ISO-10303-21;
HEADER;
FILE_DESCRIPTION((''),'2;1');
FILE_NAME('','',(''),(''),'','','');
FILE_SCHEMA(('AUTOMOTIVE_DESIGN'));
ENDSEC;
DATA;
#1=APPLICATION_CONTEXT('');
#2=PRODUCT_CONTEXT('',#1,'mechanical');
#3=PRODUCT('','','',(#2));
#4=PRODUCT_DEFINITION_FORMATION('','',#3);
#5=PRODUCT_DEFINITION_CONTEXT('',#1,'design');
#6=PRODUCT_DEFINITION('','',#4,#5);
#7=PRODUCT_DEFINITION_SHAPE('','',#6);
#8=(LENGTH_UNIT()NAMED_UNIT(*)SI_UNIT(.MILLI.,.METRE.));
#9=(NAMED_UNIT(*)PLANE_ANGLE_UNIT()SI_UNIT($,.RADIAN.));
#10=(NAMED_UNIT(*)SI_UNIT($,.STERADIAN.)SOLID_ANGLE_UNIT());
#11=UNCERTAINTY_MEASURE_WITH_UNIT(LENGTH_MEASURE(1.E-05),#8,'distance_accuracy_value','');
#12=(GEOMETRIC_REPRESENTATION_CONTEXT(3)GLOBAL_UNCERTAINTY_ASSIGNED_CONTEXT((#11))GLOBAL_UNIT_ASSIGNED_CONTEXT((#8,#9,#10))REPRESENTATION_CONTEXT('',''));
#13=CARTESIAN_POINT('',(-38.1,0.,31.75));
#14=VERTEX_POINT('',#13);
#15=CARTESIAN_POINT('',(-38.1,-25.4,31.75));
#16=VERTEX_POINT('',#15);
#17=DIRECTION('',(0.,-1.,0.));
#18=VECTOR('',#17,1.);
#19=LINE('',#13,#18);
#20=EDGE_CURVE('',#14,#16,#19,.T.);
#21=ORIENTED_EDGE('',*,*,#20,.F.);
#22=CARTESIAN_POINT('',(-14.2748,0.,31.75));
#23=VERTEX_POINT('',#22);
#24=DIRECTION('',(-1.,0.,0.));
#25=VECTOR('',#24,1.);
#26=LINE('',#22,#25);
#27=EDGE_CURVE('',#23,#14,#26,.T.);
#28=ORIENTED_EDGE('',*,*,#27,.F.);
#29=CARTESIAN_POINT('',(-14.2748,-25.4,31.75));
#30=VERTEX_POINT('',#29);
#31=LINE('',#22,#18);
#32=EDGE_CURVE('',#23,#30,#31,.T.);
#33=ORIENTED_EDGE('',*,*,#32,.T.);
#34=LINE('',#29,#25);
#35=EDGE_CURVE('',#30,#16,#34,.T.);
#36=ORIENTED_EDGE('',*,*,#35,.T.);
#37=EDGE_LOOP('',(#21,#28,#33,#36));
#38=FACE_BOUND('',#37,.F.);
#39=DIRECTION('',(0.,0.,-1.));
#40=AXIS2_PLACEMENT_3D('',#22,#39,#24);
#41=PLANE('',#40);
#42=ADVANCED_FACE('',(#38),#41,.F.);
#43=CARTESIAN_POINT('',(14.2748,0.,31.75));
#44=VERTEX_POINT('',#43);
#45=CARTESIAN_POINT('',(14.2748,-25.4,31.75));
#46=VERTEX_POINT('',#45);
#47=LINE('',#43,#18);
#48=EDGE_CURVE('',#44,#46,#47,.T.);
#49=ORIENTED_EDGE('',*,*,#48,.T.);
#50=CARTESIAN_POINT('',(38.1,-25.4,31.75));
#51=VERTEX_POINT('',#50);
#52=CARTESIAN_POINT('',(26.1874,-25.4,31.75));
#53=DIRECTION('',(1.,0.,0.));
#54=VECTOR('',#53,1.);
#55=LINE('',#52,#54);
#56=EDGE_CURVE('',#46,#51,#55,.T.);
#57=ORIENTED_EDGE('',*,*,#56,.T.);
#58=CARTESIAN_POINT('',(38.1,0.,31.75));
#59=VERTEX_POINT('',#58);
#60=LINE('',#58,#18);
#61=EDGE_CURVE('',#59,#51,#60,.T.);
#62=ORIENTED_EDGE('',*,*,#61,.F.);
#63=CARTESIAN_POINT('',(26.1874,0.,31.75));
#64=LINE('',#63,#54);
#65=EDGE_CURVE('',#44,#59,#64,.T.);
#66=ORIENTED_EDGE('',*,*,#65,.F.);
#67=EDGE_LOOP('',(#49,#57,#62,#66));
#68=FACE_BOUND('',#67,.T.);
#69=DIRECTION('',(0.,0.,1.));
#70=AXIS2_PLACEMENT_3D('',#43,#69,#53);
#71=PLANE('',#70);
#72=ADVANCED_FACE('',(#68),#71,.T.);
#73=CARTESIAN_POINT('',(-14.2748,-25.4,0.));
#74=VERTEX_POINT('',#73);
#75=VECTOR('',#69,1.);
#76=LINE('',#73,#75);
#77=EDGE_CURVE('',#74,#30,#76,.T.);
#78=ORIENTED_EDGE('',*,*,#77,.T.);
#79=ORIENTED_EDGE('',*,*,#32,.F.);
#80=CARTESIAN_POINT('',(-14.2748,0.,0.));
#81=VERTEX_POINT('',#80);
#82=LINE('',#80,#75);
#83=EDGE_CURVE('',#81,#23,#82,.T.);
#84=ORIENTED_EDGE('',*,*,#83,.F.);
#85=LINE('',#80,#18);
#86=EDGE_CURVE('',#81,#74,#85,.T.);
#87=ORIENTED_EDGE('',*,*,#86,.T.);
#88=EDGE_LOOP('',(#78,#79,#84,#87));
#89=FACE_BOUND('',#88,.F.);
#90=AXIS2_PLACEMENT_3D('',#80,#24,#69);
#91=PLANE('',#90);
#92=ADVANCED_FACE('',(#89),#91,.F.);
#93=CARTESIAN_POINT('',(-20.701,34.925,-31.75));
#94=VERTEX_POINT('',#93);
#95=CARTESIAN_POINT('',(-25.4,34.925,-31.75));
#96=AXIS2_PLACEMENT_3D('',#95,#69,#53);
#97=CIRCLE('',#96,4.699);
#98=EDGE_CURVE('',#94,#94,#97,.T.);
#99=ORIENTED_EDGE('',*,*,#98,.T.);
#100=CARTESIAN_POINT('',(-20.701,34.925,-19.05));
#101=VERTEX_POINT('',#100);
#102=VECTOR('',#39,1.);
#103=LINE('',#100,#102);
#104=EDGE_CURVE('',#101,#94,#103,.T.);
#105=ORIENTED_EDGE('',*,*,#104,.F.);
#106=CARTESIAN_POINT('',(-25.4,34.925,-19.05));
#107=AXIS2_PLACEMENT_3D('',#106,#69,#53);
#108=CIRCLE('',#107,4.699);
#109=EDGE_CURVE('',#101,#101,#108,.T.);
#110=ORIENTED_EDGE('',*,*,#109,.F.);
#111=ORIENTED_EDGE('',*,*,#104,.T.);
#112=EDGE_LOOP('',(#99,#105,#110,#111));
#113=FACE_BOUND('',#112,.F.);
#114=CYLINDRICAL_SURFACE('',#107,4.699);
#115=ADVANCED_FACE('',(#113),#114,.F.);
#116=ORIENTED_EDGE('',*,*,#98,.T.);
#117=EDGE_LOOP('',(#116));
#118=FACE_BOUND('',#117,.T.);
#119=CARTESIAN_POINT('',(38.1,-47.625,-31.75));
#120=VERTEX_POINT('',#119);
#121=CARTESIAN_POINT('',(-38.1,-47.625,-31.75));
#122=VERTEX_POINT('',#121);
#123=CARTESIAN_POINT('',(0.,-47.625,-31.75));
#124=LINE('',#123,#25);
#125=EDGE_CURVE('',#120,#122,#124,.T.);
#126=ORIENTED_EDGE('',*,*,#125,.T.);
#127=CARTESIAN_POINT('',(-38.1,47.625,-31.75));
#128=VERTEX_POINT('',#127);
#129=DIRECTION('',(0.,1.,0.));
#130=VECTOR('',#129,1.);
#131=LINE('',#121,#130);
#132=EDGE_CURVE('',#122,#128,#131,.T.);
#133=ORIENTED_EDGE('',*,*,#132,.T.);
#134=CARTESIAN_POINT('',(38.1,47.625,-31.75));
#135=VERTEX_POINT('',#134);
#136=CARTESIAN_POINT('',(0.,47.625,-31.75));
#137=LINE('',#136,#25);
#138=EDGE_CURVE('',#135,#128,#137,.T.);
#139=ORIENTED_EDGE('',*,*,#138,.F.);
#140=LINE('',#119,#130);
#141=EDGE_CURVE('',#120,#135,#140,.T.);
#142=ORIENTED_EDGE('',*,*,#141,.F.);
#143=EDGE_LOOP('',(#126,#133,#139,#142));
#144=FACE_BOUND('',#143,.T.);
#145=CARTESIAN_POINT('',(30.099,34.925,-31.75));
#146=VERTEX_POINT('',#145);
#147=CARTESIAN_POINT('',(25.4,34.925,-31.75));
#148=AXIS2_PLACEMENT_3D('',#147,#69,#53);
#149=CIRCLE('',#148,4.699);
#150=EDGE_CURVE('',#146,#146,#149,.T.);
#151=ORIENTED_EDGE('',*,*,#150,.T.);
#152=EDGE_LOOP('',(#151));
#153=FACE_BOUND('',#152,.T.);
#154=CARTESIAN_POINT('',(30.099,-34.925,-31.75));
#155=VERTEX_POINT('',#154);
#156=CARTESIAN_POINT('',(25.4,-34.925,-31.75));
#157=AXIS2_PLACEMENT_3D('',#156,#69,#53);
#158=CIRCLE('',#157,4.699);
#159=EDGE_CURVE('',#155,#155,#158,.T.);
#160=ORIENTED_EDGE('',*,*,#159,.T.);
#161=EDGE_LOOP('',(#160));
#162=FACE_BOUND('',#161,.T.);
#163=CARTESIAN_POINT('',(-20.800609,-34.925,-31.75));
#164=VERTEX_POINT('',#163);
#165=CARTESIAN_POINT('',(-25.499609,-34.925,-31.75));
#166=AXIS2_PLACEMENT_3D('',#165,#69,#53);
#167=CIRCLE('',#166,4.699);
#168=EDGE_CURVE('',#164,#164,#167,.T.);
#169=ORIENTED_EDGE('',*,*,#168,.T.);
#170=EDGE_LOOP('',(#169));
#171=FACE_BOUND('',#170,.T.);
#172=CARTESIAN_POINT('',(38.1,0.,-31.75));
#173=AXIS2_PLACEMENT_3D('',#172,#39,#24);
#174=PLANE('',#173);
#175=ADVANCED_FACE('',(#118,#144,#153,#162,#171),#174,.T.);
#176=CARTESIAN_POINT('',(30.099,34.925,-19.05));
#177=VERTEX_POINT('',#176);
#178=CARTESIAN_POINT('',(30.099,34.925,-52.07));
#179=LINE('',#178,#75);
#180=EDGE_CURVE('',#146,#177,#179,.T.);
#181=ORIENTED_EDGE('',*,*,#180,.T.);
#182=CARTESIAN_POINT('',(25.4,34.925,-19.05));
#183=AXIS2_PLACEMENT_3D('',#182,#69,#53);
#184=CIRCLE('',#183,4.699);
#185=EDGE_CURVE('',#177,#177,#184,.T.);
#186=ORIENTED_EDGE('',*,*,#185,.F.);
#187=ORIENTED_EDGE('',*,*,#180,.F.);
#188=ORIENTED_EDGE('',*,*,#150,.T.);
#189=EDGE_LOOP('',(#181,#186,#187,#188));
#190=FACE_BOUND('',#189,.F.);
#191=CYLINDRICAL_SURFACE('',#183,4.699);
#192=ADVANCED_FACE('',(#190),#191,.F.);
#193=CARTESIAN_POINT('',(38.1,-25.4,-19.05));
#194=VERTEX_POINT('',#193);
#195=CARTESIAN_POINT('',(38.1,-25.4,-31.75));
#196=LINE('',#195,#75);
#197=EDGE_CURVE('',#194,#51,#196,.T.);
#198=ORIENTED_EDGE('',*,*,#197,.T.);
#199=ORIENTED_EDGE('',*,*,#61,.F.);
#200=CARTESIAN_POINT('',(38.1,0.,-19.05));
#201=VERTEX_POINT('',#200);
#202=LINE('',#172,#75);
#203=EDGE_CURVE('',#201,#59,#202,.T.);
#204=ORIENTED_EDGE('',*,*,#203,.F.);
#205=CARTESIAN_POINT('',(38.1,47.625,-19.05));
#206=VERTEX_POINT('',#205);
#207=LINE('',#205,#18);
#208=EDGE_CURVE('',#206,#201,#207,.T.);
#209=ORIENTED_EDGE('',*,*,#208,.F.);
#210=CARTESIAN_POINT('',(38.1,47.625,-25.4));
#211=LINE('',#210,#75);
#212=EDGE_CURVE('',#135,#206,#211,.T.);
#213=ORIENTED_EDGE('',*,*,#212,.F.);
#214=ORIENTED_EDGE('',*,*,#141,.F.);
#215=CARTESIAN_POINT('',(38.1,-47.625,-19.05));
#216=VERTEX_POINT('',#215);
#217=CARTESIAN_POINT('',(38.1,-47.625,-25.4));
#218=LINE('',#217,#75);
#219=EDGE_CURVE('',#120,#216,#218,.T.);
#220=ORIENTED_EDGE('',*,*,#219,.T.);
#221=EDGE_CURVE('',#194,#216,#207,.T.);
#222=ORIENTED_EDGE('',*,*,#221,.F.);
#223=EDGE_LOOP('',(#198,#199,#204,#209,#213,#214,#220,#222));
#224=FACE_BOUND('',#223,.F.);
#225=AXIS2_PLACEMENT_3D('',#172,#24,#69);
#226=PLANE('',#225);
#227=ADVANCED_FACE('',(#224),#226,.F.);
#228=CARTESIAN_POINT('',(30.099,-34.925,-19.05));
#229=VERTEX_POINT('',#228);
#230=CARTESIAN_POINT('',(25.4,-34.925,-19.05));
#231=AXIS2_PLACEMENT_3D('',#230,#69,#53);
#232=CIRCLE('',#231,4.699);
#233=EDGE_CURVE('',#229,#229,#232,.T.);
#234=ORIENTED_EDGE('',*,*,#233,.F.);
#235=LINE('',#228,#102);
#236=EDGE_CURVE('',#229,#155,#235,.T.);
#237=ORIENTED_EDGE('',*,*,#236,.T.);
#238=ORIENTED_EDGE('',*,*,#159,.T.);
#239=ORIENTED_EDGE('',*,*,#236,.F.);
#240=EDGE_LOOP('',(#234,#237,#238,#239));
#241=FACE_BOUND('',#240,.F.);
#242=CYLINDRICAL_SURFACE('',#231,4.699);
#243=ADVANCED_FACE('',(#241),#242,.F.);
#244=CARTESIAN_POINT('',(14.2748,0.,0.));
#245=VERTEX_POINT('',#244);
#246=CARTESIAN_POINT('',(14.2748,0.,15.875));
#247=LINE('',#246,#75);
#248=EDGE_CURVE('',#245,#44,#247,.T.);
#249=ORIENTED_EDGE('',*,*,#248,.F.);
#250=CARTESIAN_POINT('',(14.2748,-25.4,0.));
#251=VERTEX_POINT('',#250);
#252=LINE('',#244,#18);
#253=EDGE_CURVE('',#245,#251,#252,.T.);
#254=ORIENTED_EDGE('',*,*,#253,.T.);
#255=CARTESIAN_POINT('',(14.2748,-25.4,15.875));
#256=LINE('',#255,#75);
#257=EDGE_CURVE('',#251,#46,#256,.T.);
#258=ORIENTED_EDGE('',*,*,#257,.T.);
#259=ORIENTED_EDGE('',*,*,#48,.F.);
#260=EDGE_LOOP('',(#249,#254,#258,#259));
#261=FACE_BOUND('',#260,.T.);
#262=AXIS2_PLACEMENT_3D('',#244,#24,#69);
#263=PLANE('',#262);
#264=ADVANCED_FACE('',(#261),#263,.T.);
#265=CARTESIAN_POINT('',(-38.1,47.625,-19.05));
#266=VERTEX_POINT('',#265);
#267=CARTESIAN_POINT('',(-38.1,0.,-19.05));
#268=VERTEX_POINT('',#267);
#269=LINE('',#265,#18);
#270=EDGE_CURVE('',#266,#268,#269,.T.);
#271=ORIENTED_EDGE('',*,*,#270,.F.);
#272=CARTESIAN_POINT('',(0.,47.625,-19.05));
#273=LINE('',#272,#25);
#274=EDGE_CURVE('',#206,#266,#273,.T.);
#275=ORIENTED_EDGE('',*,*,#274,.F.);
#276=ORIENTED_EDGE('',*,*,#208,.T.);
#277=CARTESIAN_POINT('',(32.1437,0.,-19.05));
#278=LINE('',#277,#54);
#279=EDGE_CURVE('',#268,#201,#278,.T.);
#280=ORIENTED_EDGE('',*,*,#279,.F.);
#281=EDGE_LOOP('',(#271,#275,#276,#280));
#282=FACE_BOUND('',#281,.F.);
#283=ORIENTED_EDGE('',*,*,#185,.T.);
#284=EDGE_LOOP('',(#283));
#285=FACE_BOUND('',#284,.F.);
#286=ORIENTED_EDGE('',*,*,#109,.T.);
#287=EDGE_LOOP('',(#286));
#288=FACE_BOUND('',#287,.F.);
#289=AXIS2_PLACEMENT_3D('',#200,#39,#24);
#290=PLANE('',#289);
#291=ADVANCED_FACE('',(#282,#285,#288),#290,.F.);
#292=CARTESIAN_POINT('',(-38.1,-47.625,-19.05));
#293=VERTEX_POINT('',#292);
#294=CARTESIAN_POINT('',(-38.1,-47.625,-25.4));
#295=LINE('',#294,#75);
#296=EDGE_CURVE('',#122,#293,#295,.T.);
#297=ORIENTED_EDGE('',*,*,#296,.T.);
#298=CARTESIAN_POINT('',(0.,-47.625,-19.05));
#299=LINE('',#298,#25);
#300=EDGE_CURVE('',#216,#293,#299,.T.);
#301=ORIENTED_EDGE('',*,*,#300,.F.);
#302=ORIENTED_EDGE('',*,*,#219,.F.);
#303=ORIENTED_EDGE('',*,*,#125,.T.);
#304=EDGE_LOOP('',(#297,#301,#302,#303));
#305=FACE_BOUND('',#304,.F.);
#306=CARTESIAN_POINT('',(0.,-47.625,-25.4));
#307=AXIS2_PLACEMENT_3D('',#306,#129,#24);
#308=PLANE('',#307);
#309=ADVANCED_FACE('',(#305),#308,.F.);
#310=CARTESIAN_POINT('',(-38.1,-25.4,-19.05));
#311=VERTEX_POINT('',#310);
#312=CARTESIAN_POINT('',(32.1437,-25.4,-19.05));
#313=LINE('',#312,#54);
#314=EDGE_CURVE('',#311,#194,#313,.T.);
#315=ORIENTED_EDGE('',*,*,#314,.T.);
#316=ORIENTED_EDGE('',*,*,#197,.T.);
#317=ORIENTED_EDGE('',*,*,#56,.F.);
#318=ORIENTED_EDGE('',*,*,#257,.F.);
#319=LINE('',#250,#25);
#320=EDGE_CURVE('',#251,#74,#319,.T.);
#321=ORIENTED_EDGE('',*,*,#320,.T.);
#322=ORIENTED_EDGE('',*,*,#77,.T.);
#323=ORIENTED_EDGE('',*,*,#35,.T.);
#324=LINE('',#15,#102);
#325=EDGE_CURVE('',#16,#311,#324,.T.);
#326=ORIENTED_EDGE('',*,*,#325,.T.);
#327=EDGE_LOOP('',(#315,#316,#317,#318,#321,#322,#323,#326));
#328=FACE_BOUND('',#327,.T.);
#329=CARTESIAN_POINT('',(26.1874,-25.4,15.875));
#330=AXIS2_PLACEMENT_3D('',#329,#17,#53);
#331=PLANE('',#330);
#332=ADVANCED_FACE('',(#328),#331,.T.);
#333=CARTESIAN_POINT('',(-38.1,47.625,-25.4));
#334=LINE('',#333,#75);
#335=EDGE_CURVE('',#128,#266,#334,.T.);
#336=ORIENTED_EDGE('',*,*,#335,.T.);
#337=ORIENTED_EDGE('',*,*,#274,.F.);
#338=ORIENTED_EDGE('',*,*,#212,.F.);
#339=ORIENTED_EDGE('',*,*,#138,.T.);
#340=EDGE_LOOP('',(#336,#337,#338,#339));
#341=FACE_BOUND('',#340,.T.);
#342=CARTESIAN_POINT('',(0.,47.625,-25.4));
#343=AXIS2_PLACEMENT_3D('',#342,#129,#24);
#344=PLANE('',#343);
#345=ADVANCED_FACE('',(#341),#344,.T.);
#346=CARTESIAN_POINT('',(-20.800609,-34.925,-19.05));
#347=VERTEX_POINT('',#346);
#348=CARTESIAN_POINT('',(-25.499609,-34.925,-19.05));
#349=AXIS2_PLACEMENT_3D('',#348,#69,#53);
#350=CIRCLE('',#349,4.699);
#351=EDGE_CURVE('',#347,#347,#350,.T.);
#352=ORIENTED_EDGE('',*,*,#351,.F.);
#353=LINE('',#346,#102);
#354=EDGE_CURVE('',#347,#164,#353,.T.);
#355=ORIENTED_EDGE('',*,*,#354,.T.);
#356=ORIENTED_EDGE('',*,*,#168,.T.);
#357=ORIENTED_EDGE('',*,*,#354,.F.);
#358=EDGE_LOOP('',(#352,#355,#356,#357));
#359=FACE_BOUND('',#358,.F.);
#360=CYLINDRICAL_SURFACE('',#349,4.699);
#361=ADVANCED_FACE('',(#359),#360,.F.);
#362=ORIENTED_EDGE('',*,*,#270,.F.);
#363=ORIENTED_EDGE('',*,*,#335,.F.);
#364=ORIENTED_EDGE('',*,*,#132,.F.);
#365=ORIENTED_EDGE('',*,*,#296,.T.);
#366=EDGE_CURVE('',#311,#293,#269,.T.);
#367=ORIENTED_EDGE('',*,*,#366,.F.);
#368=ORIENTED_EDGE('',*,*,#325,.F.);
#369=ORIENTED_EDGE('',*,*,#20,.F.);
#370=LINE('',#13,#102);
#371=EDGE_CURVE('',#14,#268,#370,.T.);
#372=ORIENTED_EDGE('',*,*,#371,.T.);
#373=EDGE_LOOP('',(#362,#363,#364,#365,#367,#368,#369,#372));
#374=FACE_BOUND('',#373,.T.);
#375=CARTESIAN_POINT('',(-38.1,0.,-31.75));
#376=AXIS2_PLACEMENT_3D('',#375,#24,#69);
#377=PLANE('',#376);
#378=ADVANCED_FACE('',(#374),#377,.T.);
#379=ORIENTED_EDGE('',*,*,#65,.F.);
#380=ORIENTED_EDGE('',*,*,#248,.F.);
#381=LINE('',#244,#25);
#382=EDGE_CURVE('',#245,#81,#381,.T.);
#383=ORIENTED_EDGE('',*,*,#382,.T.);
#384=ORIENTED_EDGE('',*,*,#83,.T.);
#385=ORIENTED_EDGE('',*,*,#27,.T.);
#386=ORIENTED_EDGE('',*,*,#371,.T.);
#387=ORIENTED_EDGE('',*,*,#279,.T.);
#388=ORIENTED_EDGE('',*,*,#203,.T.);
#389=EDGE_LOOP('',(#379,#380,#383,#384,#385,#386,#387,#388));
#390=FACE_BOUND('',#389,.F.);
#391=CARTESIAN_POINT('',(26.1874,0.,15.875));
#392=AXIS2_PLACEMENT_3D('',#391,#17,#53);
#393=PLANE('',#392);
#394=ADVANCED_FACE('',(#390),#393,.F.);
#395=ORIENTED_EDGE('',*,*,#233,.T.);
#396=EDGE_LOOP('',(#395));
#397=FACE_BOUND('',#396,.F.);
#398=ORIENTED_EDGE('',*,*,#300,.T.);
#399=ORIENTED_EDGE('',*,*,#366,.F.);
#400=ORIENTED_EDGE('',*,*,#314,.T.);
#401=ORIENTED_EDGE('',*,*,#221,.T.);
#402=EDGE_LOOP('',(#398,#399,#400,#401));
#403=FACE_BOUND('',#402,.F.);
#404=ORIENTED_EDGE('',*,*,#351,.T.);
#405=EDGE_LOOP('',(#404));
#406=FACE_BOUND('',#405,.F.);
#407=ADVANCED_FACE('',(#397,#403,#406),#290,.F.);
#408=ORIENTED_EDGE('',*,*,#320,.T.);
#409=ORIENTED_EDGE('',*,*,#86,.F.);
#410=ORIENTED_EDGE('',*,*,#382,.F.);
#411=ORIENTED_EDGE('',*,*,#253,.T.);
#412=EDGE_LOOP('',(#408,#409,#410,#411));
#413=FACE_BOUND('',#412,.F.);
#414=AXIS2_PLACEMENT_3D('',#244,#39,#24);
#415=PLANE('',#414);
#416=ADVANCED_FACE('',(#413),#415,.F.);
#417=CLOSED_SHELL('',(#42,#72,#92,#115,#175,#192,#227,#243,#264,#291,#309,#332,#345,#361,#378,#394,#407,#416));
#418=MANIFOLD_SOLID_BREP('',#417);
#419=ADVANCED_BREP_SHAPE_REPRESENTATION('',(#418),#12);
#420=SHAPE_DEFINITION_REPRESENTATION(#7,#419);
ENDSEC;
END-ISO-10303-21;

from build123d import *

# Parameters (mm, degrees)
F0_W     = 23.8252
F0_H     = 31.75
F1_DEPTH = 25.4
F2_W     = 76.2
F2_H     = 12.7
F3_DEPTH = 47.625
F4_R     = 4.699
F5_DEPTH = 12.701
F6_R     = 4.699
F7_DEPTH = 33.02


with BuildPart() as f1:
    # F0 (on Front) → F1 (new body)
    with BuildSketch(Plane.XZ):
        with Locations((26.1874, 15.875)):
            Rectangle(F0_W, F0_H)
        Polygon((38.1, -31.75), (38.1, 0), (14.2748, 0), (-14.2748, 0), (-14.2748, 31.75), (-38.1, 31.75), (-38.1, -31.75), align=None)
    extrude(amount=F1_DEPTH)

    # F2 (on face) → F3 (join, symmetric)
    with BuildSketch(Plane(origin=(0, 0, 0), x_dir=(-1, 0, 0), z_dir=(0, 1, 0))):
        with Locations((0, -25.4)):
            Rectangle(F2_W, F2_H)
    extrude(amount=F3_DEPTH, both=True)

    # F4 (on face) → F5 (cut, through all)
    with BuildSketch(Plane.XY.offset(-19.05)):
        with Locations((-25.4996093811, -34.925)):
            Circle(F4_R)
        with Locations((25.4, -34.925)):
            Circle(F4_R)
    extrude(amount=-F5_DEPTH, mode=Mode.SUBTRACT)

    # F6 (on face) → F7 (cut, symmetric)
    with BuildSketch(Plane.XY.offset(-19.05)):
        with Locations((-25.4, 34.925)):
            Circle(F6_R)
        with Locations((25.4, 34.925)):
            Circle(F6_R)
    extrude(amount=F7_DEPTH, both=True, mode=Mode.SUBTRACT)


solid = f1.part
